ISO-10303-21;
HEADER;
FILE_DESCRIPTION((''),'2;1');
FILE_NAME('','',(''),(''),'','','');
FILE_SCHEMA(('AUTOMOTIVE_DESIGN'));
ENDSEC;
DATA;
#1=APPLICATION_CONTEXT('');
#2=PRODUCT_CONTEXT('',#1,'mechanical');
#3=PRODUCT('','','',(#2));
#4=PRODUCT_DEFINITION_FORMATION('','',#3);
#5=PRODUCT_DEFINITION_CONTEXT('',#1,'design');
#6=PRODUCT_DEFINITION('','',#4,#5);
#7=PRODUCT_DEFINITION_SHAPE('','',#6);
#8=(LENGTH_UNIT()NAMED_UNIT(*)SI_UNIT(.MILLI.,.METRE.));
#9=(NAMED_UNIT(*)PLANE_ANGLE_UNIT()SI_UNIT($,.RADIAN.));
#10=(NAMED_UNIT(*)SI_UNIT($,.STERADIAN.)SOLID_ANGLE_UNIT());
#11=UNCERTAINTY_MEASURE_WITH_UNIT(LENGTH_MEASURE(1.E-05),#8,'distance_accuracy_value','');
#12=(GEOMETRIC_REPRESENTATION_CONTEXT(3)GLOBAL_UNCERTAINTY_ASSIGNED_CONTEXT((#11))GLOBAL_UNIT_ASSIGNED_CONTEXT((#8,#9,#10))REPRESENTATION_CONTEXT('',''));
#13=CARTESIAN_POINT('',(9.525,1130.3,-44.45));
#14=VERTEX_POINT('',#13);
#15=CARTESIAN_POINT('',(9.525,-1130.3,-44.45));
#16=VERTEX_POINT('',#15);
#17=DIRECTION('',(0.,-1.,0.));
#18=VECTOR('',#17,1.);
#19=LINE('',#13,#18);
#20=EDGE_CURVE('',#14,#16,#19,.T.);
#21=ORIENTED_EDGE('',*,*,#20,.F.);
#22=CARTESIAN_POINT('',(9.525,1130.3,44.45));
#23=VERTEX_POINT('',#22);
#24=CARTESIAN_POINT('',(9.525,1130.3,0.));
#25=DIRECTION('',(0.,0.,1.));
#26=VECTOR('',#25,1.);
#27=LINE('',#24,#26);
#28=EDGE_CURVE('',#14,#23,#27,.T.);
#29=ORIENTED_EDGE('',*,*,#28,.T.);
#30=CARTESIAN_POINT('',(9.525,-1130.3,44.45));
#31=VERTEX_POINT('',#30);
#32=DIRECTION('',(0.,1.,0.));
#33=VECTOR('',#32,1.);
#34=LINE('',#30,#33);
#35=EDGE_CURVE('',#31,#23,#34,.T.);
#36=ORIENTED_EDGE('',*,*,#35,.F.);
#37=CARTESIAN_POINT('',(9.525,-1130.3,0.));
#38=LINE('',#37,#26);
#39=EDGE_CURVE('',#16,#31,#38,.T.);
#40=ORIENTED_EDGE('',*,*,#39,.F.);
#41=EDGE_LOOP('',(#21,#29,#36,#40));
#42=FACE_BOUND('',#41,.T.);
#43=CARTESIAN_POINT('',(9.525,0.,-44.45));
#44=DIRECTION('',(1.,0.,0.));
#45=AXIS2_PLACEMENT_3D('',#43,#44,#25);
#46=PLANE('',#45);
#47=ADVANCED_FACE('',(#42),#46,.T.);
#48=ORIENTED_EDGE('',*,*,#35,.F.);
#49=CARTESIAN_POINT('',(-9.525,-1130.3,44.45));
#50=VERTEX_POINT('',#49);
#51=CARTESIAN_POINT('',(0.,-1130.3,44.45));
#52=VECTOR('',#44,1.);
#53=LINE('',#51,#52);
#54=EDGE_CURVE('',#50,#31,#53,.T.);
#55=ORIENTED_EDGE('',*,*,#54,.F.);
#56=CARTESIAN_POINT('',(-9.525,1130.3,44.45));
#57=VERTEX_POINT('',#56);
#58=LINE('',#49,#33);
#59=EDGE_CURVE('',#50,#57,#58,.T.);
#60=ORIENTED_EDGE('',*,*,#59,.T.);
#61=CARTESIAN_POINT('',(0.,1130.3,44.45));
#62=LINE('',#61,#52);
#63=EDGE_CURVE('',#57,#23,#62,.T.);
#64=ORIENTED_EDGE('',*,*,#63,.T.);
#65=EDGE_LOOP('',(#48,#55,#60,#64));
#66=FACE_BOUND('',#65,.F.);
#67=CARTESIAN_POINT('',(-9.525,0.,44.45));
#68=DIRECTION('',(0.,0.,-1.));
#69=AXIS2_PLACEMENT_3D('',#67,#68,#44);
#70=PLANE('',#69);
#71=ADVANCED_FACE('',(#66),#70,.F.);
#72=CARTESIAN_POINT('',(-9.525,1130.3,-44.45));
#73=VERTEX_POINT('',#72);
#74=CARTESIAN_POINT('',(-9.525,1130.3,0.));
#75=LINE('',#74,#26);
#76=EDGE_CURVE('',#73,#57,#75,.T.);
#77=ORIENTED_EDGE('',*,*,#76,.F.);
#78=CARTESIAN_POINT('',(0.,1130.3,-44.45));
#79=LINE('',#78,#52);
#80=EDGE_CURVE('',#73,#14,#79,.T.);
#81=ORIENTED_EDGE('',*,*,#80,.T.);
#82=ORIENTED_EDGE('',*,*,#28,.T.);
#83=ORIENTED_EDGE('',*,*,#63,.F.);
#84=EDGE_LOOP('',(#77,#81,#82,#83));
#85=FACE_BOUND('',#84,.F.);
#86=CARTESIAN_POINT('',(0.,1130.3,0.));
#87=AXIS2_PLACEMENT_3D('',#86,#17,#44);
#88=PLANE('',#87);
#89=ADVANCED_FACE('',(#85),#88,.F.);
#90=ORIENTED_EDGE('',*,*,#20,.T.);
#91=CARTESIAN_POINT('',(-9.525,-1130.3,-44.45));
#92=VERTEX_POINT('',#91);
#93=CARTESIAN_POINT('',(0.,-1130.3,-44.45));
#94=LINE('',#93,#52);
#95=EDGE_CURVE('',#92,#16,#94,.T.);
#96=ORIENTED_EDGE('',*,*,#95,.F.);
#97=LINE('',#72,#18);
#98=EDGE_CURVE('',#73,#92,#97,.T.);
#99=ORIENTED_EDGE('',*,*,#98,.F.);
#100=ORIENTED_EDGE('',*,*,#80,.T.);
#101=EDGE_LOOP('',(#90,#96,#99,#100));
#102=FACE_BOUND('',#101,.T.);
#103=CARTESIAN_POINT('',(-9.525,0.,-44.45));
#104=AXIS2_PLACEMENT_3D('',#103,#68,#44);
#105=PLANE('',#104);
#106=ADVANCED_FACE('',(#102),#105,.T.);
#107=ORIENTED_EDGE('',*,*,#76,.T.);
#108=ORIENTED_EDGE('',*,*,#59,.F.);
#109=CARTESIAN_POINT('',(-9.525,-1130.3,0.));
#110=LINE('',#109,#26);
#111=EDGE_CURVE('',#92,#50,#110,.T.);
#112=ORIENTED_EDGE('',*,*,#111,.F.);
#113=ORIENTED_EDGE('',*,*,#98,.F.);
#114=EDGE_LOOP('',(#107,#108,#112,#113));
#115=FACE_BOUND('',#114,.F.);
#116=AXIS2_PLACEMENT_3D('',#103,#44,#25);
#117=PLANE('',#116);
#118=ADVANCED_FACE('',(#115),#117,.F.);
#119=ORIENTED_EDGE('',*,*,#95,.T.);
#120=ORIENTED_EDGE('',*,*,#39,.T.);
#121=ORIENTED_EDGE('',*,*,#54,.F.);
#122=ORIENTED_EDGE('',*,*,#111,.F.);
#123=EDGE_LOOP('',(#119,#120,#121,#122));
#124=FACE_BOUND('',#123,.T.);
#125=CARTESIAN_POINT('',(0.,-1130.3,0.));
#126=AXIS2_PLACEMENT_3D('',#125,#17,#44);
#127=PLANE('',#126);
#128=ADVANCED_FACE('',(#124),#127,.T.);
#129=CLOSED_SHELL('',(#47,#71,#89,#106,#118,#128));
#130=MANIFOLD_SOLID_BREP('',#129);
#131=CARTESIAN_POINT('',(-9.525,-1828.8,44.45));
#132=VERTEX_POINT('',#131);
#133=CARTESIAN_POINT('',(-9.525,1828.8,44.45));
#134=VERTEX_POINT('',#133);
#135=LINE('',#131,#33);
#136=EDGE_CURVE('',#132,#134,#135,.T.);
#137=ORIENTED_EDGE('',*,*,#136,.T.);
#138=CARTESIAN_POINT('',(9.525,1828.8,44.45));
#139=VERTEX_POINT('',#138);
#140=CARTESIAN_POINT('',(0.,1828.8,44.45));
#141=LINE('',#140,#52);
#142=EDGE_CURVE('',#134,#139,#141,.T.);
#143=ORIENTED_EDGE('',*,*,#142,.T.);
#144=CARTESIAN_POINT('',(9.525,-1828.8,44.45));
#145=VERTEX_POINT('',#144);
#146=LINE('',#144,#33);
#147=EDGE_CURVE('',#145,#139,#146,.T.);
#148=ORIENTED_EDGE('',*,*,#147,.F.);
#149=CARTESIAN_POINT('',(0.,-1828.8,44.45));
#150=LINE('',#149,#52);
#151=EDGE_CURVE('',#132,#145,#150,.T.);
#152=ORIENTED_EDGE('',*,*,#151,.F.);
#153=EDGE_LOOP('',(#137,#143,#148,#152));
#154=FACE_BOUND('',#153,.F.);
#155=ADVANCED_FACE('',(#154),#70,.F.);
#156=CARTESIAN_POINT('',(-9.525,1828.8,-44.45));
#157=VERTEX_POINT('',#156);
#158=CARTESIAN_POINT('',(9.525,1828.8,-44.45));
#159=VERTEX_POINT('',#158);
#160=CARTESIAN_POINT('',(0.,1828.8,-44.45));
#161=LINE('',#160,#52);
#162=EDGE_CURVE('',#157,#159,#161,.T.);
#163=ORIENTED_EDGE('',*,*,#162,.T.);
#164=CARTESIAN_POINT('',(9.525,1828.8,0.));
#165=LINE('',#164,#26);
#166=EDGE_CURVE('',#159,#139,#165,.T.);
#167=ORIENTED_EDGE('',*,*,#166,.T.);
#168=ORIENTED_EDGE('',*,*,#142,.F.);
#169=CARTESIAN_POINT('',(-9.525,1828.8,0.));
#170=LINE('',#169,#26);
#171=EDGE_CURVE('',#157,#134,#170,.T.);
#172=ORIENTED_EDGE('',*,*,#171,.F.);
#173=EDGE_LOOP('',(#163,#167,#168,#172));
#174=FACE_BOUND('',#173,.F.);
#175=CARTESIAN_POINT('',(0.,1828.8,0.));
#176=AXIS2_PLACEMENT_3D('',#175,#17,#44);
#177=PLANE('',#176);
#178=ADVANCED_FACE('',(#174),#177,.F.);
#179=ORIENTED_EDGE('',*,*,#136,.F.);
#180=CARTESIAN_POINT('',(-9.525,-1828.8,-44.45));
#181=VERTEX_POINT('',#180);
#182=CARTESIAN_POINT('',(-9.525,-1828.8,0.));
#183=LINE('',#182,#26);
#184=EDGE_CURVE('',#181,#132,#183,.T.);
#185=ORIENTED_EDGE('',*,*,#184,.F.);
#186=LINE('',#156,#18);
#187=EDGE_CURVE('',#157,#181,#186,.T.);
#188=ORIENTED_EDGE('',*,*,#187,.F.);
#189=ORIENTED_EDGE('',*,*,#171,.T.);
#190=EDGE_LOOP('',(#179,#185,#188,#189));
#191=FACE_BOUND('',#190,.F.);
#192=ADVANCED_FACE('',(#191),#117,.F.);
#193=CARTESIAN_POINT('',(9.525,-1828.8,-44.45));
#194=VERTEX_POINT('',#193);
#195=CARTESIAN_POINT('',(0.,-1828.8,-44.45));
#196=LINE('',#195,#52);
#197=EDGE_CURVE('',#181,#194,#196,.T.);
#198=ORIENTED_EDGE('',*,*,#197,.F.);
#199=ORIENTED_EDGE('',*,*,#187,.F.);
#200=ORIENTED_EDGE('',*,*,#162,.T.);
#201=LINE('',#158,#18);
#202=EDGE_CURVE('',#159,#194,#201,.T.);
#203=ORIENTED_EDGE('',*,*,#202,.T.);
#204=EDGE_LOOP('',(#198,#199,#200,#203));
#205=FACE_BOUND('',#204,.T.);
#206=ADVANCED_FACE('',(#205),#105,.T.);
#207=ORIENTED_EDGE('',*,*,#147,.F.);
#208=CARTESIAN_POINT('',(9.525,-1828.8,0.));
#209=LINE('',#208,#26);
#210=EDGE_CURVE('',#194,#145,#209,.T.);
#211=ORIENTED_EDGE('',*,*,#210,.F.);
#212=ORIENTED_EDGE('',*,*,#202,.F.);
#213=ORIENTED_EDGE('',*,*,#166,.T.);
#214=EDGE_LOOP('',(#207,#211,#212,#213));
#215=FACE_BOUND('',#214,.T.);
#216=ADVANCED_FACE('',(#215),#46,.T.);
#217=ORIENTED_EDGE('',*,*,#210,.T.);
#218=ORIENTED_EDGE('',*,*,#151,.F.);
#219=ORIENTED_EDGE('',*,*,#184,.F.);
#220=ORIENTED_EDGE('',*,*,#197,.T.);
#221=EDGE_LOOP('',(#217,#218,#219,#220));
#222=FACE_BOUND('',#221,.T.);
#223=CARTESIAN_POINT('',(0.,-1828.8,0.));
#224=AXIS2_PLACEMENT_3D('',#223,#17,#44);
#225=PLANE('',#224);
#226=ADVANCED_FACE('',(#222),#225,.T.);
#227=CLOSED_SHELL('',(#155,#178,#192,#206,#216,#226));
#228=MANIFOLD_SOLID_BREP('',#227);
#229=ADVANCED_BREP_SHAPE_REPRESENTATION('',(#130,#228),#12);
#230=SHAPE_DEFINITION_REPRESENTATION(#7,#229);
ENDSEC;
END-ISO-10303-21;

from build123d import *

# Parameters (mm, degrees)
F0_W     = 19.05
F0_H     = 88.9
F1_DEPTH = 1130.3
F2_DEPTH = 1828.8


with BuildPart() as f1:
    # F0 (on Front) → F1 (new body, symmetric)
    with BuildSketch(Plane.XZ):
        Rectangle(F0_W, F0_H)
    extrude(amount=F1_DEPTH, both=True)


with BuildPart() as f2:
    # F0 (on Front) → F2 (new body, symmetric)
    with BuildSketch(Plane.XZ):
        Rectangle(F0_W, F0_H)
    extrude(amount=F2_DEPTH, both=True)


solid = Compound([f1.part, f2.part])
